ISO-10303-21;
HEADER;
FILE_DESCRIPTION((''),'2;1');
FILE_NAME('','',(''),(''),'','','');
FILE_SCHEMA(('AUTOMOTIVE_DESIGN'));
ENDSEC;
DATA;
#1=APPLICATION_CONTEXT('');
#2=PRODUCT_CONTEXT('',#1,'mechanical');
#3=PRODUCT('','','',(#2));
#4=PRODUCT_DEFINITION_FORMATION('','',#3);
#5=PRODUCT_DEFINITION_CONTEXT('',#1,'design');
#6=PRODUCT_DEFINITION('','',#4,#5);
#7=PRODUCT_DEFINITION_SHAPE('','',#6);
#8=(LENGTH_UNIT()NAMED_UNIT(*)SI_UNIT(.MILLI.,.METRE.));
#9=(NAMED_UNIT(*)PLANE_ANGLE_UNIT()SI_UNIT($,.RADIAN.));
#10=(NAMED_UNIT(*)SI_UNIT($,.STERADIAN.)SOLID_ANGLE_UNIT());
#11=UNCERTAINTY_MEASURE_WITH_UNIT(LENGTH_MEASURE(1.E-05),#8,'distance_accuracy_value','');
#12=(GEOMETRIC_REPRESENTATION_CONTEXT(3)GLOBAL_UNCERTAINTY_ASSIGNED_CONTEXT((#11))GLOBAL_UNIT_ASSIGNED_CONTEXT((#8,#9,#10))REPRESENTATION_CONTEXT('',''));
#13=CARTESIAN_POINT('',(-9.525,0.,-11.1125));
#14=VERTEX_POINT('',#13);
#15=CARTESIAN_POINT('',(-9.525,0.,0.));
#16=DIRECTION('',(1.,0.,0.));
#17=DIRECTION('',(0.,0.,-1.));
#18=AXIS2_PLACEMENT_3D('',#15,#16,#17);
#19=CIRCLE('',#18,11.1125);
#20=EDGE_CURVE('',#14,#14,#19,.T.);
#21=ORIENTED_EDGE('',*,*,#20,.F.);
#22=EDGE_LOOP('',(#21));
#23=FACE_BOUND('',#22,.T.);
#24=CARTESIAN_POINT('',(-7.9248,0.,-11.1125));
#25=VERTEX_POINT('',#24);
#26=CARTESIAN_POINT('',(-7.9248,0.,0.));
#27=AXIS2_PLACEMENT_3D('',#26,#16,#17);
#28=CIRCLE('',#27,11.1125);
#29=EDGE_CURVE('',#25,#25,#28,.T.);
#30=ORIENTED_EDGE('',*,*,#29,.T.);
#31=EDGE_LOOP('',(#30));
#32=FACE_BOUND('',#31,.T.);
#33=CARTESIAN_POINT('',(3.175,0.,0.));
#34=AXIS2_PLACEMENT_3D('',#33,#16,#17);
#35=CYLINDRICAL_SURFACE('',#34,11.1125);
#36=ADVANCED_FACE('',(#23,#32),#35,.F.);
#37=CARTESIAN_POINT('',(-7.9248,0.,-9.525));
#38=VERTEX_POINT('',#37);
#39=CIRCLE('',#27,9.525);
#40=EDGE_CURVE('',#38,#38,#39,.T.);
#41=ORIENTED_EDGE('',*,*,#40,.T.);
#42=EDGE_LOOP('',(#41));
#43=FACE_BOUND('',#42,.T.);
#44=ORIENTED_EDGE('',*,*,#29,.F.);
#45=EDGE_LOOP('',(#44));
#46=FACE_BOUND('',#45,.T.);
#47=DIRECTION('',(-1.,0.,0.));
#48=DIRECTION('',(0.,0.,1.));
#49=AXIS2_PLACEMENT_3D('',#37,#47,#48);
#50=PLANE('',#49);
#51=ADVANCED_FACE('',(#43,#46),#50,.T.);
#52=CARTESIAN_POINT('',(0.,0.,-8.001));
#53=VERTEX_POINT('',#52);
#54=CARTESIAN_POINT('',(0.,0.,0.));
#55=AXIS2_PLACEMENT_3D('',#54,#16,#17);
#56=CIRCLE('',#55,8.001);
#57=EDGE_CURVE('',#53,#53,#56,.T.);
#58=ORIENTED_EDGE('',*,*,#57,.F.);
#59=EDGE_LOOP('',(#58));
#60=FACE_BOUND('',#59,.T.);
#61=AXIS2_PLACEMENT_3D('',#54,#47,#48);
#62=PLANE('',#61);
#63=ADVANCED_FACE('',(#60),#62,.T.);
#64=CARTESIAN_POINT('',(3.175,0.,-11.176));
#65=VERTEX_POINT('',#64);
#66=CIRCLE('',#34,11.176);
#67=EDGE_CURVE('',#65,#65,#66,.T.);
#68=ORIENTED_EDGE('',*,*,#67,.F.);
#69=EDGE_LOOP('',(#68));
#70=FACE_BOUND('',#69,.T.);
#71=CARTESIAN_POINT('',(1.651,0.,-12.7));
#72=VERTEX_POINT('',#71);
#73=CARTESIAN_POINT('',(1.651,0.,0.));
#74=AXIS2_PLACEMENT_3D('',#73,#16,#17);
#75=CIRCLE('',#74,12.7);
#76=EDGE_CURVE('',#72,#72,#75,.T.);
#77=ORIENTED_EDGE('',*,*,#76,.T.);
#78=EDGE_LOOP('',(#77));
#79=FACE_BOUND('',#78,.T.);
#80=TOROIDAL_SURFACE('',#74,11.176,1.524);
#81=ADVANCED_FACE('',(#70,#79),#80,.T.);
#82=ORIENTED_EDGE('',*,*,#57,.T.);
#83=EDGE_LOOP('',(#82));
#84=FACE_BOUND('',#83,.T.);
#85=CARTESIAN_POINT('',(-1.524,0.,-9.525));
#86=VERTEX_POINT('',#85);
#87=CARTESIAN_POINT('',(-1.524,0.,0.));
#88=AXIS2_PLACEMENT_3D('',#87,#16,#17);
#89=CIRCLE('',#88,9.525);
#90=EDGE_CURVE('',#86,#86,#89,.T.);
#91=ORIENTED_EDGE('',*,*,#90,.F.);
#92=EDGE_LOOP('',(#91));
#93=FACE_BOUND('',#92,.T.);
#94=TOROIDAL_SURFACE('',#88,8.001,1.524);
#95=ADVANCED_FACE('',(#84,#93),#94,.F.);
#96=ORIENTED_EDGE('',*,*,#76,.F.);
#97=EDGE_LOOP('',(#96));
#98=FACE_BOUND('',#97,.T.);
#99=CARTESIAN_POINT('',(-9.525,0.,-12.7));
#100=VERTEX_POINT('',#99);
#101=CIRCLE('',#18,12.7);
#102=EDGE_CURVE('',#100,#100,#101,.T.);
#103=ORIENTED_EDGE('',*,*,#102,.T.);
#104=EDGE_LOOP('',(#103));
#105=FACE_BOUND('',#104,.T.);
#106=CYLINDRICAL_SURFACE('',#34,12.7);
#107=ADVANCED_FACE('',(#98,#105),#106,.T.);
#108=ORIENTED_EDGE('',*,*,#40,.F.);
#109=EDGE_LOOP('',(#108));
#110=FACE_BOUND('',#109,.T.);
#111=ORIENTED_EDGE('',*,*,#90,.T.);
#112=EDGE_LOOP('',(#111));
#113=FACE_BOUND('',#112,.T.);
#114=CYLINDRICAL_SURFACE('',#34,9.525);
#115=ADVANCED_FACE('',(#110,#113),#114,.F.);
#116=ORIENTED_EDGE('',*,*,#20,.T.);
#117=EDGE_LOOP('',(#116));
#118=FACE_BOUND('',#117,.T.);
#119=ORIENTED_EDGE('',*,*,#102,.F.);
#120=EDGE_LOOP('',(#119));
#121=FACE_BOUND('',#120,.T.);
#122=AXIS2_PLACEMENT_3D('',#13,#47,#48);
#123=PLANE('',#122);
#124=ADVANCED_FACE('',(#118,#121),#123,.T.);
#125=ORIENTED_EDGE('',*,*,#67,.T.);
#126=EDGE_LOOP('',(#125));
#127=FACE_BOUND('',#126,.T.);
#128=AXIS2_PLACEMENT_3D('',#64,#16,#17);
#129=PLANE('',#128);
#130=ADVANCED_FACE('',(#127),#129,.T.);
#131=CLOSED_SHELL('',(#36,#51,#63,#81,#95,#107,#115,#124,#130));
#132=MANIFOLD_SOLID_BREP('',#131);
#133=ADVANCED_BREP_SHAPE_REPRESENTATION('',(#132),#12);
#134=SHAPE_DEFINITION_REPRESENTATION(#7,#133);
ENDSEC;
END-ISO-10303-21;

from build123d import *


with BuildPart() as part:
    # Sketch2 → Revolve1 (revolve)
    with BuildSketch(Plane(origin=(0, 0, 0), x_dir=(1, 0, 0), z_dir=(0, 1, 0))):
        with BuildLine():
            Line((0, 0), (0, 8.001))
            ThreePointArc((0, 8.001), (-0.446369265, 9.078630735), (-1.524, 9.525))
            Line((-1.524, 9.525), (-7.9248, 9.525))
            Line((-7.9248, 9.525), (-7.9248, 11.1125))
            Line((-7.9248, 11.1125), (-9.525, 11.1125))
            Line((-9.525, 11.1125), (-9.525, 12.7))
            Line((-9.525, 12.7), (1.651, 12.7))
            ThreePointArc((1.651, 12.7), (2.728630735, 12.253630735), (3.175, 11.176))
            Line((3.175, 11.176), (3.175, 0))
            Line((3.175, 0), (0, 0))
        make_face()
    revolve(axis=Axis((3.175, 0, 0), (-1, 0, 0)))


solid = part.part
